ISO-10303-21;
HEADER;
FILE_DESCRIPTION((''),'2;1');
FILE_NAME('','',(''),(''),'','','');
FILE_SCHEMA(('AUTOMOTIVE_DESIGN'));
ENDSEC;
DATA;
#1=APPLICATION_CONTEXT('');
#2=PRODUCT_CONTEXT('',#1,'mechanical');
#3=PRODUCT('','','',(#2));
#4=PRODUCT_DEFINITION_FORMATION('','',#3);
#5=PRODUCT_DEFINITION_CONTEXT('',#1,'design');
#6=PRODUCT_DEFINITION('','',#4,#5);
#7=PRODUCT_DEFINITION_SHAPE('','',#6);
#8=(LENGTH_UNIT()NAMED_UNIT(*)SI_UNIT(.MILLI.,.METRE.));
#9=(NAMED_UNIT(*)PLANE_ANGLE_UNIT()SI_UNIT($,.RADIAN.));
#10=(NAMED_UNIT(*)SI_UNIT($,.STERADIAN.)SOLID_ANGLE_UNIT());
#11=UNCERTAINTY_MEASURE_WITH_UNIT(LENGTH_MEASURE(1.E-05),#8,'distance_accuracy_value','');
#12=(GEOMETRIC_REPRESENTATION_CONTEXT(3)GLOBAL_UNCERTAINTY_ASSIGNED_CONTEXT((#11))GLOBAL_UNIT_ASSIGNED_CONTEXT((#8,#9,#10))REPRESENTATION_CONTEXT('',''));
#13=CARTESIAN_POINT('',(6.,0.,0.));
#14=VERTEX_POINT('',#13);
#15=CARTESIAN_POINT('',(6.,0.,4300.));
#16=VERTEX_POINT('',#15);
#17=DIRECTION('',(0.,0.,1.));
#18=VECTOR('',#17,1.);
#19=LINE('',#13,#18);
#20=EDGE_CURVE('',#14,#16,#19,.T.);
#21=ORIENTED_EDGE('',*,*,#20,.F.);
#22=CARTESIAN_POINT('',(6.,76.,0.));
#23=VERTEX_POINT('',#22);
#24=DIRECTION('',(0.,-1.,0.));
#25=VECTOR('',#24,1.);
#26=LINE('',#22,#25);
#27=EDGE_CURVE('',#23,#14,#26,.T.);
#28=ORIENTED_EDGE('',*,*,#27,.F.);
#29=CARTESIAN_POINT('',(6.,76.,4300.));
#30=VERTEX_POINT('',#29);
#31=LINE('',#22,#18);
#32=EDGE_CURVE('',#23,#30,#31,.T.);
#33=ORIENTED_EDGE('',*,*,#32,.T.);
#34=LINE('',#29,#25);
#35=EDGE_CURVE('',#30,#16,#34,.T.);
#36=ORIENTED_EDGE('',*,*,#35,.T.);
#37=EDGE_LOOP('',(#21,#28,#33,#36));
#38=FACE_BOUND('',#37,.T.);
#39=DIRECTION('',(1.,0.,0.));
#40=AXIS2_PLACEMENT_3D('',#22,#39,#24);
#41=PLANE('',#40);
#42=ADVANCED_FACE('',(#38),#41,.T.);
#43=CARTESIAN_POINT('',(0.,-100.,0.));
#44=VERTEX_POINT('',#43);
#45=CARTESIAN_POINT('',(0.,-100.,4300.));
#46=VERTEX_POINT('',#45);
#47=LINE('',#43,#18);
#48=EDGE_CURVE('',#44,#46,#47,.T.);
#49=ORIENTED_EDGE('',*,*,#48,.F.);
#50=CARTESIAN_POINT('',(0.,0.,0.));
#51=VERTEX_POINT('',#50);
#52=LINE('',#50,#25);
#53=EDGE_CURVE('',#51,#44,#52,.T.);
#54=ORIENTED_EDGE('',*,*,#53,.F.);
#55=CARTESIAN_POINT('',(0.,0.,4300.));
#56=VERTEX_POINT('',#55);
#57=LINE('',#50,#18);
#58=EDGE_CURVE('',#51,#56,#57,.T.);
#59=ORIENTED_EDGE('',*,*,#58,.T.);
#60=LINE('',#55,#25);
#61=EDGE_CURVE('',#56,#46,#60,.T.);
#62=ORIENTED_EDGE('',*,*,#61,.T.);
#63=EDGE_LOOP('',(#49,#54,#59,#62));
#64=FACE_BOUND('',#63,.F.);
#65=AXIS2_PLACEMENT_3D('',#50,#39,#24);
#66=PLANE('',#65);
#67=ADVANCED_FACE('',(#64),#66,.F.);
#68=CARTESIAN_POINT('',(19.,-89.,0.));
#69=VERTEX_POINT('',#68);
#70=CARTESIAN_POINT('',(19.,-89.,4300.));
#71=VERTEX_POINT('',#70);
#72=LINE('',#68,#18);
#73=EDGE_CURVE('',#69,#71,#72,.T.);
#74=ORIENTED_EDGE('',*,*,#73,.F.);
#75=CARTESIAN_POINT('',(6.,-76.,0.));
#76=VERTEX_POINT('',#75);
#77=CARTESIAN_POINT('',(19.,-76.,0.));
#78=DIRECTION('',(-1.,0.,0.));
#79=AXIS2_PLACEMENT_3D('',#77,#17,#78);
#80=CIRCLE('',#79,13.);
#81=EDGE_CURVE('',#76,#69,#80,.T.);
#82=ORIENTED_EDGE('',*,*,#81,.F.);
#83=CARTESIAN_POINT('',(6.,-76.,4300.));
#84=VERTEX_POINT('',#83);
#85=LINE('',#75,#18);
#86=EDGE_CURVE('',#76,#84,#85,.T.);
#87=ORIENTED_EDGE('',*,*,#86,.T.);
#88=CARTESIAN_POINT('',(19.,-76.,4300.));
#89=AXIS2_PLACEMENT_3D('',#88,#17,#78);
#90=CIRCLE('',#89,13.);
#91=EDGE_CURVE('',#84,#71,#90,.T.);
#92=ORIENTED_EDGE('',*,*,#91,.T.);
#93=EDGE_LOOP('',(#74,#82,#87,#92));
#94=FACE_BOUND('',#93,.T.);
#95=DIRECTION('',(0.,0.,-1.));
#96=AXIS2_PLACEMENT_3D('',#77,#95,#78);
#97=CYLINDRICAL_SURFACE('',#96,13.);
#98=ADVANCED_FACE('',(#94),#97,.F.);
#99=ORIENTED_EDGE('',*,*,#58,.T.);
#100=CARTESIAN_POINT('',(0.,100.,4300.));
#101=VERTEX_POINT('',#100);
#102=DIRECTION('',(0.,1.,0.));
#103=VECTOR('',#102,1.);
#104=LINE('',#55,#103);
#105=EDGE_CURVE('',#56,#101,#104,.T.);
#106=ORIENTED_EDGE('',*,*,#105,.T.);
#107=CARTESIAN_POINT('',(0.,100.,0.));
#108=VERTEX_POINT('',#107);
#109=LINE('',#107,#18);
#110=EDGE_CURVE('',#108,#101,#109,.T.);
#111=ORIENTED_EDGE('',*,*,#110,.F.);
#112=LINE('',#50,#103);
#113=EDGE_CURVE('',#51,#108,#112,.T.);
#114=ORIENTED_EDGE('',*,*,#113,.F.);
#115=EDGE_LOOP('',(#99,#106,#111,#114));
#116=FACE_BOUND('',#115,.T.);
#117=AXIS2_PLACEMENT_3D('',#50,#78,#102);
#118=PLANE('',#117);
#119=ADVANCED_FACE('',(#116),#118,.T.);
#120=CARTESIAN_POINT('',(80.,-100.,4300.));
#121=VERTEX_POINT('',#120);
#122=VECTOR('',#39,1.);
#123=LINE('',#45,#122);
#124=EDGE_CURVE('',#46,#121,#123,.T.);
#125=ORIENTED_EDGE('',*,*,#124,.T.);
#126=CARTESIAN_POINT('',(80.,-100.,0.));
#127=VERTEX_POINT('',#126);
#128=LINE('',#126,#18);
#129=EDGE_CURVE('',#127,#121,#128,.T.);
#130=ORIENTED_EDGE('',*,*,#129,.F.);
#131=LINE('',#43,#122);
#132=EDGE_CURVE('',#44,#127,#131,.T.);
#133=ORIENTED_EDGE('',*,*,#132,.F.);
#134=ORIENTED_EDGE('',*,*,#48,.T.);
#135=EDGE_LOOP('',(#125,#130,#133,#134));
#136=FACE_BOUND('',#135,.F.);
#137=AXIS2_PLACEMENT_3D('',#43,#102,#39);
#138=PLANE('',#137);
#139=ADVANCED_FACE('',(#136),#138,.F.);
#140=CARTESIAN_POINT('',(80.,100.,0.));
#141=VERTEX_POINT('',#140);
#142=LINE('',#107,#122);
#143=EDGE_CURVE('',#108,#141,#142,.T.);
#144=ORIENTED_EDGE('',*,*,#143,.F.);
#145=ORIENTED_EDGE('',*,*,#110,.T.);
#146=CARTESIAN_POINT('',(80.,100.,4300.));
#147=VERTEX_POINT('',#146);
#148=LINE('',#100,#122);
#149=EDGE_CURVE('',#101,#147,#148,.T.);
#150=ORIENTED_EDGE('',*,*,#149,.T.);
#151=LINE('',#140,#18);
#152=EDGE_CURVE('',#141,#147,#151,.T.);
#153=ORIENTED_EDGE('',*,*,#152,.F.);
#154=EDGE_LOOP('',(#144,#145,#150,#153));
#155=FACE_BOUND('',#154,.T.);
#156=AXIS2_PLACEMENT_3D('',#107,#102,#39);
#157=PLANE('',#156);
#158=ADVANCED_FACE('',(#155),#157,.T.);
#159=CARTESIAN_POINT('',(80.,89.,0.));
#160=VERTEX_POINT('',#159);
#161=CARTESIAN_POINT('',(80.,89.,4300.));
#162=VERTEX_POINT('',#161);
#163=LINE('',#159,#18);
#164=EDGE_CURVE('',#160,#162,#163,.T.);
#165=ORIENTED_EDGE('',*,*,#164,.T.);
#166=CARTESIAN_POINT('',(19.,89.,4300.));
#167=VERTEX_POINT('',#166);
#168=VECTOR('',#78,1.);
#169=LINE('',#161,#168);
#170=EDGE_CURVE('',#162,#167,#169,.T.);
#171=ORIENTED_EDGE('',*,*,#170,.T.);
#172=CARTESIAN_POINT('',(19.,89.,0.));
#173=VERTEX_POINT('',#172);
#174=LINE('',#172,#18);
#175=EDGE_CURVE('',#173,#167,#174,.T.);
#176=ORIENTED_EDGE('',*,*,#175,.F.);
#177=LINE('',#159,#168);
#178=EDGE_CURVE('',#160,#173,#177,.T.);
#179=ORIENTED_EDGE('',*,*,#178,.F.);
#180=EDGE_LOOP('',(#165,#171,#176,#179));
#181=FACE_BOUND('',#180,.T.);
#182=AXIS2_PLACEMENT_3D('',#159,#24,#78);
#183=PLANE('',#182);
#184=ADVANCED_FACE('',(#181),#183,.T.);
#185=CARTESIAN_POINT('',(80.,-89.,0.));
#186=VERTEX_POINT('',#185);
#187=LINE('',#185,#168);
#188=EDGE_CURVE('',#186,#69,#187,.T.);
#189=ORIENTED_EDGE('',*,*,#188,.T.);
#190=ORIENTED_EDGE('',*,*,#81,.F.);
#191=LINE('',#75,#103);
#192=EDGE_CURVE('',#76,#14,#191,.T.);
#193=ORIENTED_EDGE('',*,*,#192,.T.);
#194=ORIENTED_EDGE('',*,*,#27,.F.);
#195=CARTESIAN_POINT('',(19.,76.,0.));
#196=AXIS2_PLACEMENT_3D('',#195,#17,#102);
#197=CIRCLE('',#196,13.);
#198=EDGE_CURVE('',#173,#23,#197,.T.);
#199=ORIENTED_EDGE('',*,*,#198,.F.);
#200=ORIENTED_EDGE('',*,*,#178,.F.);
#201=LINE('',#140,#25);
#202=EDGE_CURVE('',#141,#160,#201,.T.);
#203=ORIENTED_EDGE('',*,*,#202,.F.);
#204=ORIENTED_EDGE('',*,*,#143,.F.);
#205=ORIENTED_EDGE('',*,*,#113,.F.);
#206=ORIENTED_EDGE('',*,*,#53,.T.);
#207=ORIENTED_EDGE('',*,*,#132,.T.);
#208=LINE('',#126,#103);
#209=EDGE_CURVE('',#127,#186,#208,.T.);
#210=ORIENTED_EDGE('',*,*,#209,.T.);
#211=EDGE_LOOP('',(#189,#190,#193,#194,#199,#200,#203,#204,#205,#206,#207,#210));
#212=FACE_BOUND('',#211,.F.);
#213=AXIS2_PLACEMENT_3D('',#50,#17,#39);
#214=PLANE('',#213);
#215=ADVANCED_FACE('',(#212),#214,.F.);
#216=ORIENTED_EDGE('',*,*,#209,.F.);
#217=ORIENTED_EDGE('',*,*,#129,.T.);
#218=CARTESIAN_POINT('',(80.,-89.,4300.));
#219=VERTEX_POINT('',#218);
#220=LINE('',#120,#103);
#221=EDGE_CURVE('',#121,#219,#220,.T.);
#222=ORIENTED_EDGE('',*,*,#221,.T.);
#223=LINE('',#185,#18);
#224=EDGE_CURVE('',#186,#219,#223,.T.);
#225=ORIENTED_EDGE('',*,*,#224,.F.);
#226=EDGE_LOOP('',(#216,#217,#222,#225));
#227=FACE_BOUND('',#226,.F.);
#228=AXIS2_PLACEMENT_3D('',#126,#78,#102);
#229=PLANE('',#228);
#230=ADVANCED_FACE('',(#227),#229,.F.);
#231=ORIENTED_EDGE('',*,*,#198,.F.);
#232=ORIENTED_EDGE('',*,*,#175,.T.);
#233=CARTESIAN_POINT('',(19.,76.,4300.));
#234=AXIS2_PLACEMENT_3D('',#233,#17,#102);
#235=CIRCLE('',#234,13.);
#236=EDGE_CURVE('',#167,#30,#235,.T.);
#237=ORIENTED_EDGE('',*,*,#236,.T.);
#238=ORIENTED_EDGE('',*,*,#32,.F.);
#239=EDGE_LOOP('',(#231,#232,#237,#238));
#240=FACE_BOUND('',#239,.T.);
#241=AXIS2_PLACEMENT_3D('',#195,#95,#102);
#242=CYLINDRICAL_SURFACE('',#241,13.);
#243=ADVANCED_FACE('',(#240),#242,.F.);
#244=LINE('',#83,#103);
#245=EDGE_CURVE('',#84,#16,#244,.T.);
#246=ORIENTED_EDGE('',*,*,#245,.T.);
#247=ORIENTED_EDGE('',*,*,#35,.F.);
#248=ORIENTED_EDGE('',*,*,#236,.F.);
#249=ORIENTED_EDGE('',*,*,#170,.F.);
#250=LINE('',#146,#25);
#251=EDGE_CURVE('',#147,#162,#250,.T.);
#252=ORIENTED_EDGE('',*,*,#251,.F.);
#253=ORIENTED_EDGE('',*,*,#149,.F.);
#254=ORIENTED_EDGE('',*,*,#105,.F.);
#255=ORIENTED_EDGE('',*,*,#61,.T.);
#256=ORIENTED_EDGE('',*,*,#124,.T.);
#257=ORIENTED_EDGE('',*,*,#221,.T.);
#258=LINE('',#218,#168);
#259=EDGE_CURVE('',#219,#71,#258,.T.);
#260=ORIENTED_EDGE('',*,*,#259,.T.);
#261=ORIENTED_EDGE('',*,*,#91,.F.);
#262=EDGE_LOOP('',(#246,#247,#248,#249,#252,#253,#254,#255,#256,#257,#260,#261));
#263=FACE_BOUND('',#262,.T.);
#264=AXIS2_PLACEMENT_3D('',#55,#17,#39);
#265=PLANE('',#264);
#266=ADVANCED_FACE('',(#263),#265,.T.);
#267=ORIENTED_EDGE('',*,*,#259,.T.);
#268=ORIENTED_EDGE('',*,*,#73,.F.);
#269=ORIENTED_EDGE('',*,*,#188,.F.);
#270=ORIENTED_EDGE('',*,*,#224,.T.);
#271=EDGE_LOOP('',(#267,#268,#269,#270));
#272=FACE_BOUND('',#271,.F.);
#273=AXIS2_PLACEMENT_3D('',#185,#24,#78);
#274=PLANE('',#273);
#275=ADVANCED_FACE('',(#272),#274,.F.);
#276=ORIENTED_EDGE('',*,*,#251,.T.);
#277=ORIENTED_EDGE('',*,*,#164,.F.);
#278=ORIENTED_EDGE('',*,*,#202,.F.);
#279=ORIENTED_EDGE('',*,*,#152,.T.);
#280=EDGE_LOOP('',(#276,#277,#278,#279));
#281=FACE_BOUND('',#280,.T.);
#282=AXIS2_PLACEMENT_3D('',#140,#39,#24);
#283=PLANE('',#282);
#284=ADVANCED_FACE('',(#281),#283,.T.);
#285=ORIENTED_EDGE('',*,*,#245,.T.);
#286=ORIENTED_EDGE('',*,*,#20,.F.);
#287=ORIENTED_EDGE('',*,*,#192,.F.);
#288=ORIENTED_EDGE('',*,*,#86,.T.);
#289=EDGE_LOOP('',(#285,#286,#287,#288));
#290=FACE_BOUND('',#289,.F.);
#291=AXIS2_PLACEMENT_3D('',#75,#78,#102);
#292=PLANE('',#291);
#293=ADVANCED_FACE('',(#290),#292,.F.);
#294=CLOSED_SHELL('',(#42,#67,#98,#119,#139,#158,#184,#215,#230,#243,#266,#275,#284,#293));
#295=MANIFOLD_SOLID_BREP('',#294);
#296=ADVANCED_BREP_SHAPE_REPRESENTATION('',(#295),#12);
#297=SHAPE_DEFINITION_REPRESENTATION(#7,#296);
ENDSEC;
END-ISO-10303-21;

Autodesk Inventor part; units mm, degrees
ref_plane "YZ Plane" through (0, 0, 0) normal (1, 0, 0) x (0, 1, 0)
ref_plane "Start plane" through (0, 0, 0) normal (0, 0, 1) x (1, 0, 0)
ref_plane "End plane" through (0, 0, 4300) normal (0, 0, 1) x (1, 0, 0)
sketch "Sketch" plane through (0, 0, 0) normal (0, 0, 1) x (1, 0, 0)
  line L0 (0, 0) -> (0, 100)
  line L1 (0, 100) -> (80, 100)
  line L2 (80, 100) -> (80, 89)
  line L3 (80, 89) -> (19, 89)
  line L4 (6, 76) -> (6, 0)
  line L5 (6, 0) -> (0, 0) construction
  line L6 (25.6, 100) -> (25.6, 89) construction
  line L7 (80, 89) -> (80, 89) construction
  line L8 (80, 89) -> (25.6, 89) construction
  line L9 (0, 12) -> (0, -30) construction
  line L10 (-1.5, 0) -> (19.5, 0) construction
  line L11 (0, 0) -> (0, -100)
  line L12 (0, -100) -> (80, -100)
  line L13 (80, -100) -> (80, -89)
  line L14 (80, -89) -> (19, -89)
  line L15 (6, -76) -> (6, 0)
  arc A0 (6, -76) -> (19, -89) centre (19, -76) ccw
  arc A1 (19, 89) -> (6, 76) centre (19, 76) ccw
  line L16 (0, 140) -> (0, -140) construction
  line L17 (-17.8, 0) -> (96.3, 0) construction
  point P0 (6, 89)
  point P1 (6, -89)
  point P2 (25.6, -100)
  point P3 (25.6, -89)
  dimension "d0" = 6
  dimension "d1" = 100
  dimension "d2" = 80
  dimension "d3" = 11
  dimension "d5" = 0
  dimension "d23" = 13
  dimension "d24" = 0
  dimension "d29" = 25.6
extrude "Body" add sketch "Sketch" along normal up to surface (4300 mm away) from surface at 0
sketch "Sketch3" plane through (0, 0, 0) normal (0, 0, 1) x (1, 0, 0)
  line L0 (0, 0) -> (10, 0)
ref_plane "Work Plane3" through (0, 0, 0) normal (0, -1, 0) x (1, 0, 0)
sketch "Sketch4" plane through (0, 0, 0) normal (0, -1, 0) x (1, 0, 0)
  line L0 (-2, 0) -> (12, 0)
  line L1 (-2, 4300) -> (12, 4300)
  dimension "d28" = 4300
equation "\"d0\" = G_T"
equation "\"d1\" = 0.5 * G_H"
equation "\"d2\" = G_W"
equation "\"d3\" = G_T1"
equation "\"d23\" = G_IR"
equation "\"d29\" = G_C"
equation "\"d6\" = G_L"
equation "\"G_W\" = 80"
equation "\"G_H\" = 200"
equation "\"G_T\" = 6"
equation "\"G_T1\" = 11"
equation "\"G_NG\" = 0"
equation "\"G_IR\" = 13"
equation "\"G_C\" = 25.6"
equation "\"G_L\" = d28"
equation "\"ex\" = 0"
equation "\"G_OFFSET_START\" = 0"
equation "\"G_OFFSET_END\" = 0"
properties part number "DIN 1026-2 - UPE 200 - 4300" material "Steel, Mild"
